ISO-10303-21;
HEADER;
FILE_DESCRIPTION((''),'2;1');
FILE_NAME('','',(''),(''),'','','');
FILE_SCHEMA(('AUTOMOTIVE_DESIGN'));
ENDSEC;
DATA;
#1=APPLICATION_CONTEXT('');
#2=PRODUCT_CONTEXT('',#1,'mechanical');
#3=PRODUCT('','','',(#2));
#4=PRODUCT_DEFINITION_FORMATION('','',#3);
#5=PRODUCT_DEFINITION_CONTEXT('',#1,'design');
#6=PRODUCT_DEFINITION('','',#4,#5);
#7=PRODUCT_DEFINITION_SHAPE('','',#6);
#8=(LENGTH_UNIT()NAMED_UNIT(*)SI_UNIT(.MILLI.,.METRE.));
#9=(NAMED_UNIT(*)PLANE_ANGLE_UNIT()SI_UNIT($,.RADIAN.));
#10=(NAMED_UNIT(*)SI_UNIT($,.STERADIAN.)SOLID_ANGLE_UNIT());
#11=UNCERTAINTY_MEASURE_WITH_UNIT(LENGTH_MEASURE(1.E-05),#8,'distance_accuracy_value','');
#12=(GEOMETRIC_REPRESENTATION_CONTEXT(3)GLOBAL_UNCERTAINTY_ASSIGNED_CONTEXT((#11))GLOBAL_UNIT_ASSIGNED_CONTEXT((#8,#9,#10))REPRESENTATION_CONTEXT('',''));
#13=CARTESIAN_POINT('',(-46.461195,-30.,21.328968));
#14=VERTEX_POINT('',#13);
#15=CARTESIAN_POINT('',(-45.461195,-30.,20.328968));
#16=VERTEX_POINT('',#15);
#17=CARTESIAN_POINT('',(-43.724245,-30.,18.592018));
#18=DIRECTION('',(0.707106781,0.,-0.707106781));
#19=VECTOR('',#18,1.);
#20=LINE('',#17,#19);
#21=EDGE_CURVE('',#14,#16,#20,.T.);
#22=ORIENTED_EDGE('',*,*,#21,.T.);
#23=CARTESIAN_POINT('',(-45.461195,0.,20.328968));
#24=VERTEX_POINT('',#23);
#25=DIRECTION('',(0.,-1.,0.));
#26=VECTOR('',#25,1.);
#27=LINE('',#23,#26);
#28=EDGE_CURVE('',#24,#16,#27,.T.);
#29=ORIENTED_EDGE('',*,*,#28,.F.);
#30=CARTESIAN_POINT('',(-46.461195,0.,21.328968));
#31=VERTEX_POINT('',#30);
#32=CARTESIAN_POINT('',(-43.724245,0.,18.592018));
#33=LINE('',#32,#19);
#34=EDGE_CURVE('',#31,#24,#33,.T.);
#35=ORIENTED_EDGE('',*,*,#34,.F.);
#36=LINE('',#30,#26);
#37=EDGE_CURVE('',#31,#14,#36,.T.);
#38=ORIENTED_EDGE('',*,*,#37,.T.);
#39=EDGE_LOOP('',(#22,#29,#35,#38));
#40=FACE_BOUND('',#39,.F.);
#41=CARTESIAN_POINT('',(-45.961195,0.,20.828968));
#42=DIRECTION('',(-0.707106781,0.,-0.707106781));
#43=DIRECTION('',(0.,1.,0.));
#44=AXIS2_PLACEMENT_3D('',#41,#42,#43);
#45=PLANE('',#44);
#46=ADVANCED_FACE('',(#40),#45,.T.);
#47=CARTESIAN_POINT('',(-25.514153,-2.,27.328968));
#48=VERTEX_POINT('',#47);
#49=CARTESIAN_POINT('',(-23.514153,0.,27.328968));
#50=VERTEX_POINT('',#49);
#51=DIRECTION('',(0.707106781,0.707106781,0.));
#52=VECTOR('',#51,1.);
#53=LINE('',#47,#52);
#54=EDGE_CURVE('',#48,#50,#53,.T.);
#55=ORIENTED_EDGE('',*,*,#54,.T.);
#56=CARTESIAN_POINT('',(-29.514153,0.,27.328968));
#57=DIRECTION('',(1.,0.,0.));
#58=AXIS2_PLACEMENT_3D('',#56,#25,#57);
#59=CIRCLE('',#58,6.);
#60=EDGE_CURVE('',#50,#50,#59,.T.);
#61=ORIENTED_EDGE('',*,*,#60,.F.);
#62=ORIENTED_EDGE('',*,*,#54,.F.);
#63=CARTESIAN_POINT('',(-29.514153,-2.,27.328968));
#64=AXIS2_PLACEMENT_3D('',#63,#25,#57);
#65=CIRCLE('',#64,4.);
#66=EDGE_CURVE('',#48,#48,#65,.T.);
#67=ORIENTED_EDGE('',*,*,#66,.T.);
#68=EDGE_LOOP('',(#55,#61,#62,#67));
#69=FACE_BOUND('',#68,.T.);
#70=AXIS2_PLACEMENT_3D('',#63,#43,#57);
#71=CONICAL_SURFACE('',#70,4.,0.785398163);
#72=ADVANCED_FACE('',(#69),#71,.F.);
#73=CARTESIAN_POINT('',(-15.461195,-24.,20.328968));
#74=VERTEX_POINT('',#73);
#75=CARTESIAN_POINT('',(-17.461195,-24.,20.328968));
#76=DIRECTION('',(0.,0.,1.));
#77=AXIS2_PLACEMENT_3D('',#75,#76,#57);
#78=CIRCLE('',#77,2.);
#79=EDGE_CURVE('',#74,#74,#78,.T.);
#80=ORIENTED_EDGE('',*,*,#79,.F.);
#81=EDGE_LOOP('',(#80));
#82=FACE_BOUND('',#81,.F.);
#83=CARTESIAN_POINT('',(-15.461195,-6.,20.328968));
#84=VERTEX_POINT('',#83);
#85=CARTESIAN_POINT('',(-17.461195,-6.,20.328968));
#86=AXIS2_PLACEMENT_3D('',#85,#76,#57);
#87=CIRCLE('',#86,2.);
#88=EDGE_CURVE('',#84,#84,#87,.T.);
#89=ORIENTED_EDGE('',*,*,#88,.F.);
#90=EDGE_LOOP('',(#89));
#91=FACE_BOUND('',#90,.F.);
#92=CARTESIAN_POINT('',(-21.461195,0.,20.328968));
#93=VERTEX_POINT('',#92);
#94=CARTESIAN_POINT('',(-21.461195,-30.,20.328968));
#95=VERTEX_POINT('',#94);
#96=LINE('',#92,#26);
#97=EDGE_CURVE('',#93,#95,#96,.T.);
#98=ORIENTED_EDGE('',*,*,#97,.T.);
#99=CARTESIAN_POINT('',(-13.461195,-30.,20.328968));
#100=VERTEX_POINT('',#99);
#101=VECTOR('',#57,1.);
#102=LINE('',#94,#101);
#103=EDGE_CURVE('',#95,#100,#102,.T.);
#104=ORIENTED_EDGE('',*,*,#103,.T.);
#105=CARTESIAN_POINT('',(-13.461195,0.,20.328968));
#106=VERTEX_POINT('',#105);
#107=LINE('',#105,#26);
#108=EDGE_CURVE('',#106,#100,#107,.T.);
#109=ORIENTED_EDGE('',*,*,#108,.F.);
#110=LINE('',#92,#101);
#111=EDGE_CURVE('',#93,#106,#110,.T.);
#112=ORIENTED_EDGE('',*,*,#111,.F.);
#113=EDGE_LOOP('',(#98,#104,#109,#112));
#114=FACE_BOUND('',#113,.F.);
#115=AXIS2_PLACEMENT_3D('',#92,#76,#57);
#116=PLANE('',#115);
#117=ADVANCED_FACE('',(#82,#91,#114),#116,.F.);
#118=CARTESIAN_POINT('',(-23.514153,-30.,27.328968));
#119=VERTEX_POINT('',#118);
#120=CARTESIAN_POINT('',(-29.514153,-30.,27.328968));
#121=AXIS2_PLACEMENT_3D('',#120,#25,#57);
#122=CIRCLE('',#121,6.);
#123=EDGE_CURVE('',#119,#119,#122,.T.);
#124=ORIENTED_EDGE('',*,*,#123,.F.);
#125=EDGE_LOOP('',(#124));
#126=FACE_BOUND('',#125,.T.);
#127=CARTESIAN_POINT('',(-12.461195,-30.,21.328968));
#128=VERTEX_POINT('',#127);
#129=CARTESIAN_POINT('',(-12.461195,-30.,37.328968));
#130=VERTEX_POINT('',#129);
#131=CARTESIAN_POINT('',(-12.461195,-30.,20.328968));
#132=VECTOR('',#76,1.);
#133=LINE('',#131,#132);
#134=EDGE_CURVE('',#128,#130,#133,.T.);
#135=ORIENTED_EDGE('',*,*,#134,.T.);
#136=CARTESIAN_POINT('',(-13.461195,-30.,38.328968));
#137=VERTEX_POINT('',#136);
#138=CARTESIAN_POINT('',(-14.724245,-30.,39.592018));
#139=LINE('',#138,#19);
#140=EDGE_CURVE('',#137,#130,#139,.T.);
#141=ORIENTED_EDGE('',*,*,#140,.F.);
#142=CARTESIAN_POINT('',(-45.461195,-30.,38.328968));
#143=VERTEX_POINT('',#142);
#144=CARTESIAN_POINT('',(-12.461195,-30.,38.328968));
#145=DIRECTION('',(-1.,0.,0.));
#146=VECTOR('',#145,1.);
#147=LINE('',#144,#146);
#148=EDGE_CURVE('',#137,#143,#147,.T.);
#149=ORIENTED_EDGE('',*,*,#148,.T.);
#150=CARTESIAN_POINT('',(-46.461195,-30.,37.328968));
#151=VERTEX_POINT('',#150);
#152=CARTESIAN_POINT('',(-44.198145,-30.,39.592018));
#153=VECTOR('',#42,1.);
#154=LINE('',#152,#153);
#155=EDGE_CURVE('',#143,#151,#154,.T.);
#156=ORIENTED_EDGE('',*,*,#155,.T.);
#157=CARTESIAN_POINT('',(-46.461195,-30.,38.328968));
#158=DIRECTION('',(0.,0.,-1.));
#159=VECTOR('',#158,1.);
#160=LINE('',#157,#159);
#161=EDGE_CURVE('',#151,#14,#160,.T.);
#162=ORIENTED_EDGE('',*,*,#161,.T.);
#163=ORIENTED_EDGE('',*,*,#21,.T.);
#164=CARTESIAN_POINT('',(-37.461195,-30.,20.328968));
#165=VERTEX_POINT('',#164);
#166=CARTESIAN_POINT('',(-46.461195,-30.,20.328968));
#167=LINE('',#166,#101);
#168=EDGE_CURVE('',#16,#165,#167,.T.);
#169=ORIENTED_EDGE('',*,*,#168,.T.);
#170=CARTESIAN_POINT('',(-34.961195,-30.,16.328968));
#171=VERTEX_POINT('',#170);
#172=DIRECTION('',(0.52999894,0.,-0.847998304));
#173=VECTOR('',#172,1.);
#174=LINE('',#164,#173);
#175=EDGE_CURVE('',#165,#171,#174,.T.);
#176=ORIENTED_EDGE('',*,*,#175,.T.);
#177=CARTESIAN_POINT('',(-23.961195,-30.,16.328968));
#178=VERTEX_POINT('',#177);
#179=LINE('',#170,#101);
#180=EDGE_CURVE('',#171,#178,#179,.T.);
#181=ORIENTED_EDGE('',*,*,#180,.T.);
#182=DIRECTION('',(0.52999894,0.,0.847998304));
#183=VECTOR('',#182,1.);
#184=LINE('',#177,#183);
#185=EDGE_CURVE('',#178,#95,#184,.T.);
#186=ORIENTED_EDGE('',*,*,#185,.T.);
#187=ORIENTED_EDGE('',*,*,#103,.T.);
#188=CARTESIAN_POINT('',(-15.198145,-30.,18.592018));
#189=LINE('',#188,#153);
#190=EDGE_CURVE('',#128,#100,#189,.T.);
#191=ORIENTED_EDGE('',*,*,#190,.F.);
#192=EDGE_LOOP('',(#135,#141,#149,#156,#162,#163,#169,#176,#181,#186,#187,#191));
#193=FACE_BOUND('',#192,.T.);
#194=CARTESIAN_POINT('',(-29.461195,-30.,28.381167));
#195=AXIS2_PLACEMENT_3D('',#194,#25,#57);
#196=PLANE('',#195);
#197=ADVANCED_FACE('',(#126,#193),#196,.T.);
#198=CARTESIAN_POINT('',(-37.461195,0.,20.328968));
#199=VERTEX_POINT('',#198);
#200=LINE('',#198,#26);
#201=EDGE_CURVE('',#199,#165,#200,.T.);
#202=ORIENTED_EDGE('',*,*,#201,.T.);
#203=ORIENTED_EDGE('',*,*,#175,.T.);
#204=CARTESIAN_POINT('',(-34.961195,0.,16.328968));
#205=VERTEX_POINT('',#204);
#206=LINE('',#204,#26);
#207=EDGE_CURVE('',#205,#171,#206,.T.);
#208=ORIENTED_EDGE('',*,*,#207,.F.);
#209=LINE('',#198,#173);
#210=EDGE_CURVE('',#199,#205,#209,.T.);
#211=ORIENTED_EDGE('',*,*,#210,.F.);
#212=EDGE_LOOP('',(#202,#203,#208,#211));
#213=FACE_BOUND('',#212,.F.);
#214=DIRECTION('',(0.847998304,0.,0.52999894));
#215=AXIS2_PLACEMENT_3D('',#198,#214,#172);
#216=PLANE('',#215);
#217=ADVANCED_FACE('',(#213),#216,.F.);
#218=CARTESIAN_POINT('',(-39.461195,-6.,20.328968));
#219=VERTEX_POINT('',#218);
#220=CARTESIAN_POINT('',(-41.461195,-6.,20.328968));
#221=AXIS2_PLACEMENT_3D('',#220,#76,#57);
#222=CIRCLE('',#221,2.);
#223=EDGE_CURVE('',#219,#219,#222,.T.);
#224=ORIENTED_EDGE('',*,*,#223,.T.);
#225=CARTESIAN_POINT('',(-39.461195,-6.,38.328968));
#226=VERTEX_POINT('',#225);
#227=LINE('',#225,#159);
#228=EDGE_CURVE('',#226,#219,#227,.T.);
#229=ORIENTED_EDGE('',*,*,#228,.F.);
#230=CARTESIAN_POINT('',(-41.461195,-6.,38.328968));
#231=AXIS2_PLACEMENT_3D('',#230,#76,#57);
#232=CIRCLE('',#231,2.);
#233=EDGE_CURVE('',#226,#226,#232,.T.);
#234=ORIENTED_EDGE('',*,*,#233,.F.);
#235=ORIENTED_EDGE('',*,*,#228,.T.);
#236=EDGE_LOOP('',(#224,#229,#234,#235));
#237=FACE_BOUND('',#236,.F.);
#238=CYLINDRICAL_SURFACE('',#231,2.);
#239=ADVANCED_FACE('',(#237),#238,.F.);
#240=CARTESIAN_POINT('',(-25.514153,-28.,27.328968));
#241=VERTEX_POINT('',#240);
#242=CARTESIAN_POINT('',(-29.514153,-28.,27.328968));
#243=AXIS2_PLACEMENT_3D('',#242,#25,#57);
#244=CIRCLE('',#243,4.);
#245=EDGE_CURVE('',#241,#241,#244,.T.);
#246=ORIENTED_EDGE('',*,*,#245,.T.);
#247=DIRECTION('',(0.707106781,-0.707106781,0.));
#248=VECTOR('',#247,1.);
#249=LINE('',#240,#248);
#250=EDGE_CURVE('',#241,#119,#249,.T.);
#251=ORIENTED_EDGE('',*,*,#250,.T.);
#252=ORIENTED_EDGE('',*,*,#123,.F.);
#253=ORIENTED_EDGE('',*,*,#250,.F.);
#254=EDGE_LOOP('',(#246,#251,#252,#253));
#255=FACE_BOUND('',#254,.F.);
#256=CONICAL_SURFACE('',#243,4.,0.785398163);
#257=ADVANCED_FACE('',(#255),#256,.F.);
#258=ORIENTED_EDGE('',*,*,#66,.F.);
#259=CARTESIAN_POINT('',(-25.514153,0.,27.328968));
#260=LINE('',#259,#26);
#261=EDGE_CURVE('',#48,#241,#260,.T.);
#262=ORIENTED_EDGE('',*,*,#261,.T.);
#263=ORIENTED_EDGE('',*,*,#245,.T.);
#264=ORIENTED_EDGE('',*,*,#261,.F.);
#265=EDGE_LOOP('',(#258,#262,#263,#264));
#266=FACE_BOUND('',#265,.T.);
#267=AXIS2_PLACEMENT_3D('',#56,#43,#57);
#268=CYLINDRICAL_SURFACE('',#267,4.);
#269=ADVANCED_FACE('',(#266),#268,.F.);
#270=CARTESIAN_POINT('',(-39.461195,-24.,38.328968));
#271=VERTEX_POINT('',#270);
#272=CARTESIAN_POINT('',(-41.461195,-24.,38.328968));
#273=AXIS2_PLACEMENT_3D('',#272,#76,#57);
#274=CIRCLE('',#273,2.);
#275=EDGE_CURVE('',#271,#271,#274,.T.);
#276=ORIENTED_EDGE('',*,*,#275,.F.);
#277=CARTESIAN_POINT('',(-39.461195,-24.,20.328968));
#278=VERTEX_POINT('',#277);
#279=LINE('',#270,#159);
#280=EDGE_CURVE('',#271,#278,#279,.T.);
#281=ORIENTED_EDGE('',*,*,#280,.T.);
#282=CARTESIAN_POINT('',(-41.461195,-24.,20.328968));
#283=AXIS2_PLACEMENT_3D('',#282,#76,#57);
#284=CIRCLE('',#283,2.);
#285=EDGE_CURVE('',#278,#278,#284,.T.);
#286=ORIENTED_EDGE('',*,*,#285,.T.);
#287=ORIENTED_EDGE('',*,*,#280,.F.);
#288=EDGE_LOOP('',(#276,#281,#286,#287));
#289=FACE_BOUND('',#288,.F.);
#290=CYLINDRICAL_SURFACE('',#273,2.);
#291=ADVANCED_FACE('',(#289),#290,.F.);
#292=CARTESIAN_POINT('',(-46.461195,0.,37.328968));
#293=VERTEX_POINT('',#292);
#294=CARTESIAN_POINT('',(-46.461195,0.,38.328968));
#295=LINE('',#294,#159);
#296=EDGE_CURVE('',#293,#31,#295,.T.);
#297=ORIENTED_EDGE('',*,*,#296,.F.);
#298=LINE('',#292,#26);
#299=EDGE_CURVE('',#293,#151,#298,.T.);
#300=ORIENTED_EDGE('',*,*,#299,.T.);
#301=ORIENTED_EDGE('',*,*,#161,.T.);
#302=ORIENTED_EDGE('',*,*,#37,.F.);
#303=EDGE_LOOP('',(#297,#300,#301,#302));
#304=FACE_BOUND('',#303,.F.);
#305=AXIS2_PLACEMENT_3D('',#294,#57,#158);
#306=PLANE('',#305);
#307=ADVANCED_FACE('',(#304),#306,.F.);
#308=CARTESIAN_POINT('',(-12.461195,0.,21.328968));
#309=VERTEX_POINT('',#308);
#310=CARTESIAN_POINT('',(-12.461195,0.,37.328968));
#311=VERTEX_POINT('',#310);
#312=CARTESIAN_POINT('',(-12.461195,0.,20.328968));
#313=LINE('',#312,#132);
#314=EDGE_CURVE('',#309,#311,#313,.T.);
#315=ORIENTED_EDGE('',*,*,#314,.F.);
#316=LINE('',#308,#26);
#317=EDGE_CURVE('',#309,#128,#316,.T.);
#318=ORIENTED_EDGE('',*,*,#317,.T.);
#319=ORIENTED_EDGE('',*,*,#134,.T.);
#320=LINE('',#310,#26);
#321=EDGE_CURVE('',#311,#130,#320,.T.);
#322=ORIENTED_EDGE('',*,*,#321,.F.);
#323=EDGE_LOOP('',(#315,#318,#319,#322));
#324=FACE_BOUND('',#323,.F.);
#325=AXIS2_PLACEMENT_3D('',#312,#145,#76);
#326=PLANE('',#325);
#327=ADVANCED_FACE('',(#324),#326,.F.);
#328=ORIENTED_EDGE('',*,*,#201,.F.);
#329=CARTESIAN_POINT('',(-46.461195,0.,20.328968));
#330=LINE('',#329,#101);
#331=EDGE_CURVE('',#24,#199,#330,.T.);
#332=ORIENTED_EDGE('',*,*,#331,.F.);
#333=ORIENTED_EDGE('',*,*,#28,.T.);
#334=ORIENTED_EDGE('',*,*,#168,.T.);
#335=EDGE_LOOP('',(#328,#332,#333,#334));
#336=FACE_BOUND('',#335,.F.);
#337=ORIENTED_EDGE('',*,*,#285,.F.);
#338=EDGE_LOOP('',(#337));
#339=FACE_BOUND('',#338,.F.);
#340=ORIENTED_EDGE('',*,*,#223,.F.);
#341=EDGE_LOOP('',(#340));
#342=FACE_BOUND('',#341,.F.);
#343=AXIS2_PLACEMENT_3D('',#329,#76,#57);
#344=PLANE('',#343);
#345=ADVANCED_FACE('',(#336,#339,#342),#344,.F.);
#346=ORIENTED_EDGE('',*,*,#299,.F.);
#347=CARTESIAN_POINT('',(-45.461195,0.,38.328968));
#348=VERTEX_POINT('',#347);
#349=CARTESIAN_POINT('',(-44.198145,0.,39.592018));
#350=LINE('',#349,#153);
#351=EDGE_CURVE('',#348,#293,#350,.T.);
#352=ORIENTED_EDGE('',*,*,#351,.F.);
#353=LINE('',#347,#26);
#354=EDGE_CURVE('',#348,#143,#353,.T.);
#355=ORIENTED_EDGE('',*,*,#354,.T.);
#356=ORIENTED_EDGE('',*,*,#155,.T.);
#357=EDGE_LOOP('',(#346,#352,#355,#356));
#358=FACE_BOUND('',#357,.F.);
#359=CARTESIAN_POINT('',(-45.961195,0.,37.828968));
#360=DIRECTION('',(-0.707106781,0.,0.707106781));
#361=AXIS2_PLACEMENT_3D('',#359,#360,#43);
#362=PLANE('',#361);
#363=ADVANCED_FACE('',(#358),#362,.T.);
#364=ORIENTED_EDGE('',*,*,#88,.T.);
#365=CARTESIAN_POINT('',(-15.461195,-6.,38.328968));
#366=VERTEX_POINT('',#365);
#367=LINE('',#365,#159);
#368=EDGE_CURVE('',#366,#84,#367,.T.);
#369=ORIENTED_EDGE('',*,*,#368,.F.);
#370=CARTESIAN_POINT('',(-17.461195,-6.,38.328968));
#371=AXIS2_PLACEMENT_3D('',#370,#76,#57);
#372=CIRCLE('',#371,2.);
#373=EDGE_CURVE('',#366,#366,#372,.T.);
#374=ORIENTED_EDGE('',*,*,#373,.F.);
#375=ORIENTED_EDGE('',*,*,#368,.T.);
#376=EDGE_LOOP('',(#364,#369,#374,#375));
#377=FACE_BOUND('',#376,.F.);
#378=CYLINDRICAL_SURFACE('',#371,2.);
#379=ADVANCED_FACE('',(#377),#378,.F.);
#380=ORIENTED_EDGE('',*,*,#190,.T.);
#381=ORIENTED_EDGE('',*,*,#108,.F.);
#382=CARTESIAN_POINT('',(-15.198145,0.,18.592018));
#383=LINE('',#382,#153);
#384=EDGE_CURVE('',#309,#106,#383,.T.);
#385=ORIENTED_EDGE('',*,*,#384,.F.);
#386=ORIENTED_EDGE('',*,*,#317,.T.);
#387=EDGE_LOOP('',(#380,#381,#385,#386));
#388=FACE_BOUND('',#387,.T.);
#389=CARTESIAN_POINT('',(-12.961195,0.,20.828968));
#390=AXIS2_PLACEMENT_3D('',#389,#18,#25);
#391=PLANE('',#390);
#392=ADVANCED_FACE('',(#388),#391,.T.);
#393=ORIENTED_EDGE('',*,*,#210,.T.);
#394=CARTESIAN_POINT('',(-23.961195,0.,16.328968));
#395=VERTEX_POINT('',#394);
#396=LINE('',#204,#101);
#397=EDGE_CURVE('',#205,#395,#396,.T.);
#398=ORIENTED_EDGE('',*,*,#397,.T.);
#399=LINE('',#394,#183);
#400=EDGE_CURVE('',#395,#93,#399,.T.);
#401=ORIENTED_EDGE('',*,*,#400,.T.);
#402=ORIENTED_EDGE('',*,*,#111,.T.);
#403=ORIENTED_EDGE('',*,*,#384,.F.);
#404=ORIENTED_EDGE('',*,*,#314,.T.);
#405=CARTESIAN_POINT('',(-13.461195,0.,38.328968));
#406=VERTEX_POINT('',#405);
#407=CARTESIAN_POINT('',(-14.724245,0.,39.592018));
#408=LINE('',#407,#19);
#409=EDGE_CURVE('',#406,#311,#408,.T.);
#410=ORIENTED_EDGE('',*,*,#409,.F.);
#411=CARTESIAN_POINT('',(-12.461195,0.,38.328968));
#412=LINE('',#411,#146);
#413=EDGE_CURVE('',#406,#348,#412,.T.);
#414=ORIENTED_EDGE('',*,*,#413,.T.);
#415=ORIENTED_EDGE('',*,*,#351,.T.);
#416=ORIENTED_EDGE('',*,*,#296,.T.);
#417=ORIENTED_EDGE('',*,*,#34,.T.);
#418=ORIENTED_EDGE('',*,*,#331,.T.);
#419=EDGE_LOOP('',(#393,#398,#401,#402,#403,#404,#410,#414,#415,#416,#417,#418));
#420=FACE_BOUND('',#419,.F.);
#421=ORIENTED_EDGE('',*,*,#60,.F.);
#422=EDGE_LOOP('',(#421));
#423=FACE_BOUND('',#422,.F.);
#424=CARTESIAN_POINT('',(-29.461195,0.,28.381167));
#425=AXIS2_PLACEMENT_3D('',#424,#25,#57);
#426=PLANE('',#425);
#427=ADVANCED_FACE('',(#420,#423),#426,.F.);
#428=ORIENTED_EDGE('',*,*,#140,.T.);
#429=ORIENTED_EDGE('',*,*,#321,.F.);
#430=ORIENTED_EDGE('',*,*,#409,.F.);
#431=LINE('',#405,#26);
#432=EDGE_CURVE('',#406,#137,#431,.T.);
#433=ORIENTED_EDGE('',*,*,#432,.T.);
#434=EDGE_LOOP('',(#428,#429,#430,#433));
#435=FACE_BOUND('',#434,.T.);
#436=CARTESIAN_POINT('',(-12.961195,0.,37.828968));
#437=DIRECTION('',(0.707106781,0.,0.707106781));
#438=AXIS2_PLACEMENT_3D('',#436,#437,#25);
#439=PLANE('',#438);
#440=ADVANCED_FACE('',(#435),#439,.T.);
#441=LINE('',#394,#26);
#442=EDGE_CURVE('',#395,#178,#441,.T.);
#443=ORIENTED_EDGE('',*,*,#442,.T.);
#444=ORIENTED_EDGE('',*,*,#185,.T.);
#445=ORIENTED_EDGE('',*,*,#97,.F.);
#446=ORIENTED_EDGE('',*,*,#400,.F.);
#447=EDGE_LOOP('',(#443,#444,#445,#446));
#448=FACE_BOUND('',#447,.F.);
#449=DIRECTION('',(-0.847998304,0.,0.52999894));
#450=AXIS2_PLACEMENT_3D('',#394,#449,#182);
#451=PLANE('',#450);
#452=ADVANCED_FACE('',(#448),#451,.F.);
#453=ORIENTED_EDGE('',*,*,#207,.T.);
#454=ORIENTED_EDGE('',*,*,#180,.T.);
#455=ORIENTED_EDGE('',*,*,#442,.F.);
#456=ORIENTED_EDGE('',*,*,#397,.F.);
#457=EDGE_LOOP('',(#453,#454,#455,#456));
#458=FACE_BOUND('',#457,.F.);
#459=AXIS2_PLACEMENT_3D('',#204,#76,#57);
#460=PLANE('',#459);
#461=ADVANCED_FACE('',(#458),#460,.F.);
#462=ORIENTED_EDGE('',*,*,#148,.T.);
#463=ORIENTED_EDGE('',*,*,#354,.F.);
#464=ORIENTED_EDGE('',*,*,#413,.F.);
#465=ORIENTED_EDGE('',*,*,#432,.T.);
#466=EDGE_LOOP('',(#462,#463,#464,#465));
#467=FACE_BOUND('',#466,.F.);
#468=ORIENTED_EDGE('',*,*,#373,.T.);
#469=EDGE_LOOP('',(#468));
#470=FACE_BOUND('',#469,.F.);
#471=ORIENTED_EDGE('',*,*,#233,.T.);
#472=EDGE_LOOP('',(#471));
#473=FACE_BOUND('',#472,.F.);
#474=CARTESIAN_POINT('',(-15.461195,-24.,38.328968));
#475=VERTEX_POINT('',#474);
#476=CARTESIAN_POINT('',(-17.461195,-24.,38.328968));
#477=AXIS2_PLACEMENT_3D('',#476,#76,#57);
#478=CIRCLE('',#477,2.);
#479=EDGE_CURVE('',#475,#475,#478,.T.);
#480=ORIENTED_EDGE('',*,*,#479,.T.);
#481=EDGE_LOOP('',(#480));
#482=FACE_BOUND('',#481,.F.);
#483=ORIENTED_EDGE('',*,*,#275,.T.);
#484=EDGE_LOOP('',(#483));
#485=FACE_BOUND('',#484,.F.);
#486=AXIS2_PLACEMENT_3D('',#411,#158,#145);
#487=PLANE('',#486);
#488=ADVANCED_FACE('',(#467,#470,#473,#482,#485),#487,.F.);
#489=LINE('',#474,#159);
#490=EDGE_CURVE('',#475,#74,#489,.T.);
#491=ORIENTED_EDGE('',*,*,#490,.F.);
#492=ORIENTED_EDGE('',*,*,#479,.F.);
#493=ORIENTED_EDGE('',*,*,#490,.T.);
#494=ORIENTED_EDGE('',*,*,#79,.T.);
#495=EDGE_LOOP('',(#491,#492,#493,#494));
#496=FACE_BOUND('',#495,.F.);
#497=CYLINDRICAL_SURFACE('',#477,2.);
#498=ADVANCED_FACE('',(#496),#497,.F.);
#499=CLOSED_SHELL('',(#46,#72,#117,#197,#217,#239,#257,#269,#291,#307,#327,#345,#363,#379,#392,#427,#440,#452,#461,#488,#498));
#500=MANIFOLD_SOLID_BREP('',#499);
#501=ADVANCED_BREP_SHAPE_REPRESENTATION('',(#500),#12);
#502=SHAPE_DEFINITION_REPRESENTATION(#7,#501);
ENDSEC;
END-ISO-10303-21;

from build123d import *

# Parameters (mm, degrees)
F0_R     = 4
F1_DEPTH = 30
F2_SIZE  = 2
F3_SIZE  = 1
F4_R     = 2
F5_DEPTH = 25


with BuildPart() as f1:
    # F0 (on Front) → F1 (new body)
    with BuildSketch(Plane.XZ):
        Polygon((-12.461195, 38.328968), (-46.461195, 38.328968), (-46.461195, 20.328968), (-37.461195, 20.328968), (-34.961195, 16.328968), (-23.961195, 16.328968), (-21.461195, 20.328968), (-12.461195, 20.328968), align=None)
        with Locations((-29.514153, 27.328968)):
            Circle(F0_R, mode=Mode.SUBTRACT)
    extrude(amount=F1_DEPTH)

    # F2
    f2_edges = [f1.edges().sort_by_distance(p)[0] for p in [
        (-33.514153, -30, 27.328968),
        (-33.514153, 0, 27.328968),
    ]]
    chamfer(f2_edges, length=F2_SIZE)

    # F3
    f3_edges = [f1.edges().sort_by_distance(p)[0] for p in [
        (-46.461195, -15, 38.328968),
        (-12.461195, -15, 38.328968),
        (-12.461195, -15, 20.328968),
        (-46.461195, -15, 20.328968),
    ]]
    chamfer(f3_edges, length=F3_SIZE)

    # F4 (on face) → F5 (cut)
    with BuildSketch(Plane.XY.offset(38.328968)):
        with Locations((-41.461195, -6)):
            Circle(F4_R)
        with Locations((-41.461195, -24)):
            Circle(F4_R)
        with Locations((-17.461195, -24)):
            Circle(F4_R)
        with Locations((-17.461195, -6)):
            Circle(F4_R)
    extrude(amount=-F5_DEPTH, mode=Mode.SUBTRACT)


solid = f1.part
